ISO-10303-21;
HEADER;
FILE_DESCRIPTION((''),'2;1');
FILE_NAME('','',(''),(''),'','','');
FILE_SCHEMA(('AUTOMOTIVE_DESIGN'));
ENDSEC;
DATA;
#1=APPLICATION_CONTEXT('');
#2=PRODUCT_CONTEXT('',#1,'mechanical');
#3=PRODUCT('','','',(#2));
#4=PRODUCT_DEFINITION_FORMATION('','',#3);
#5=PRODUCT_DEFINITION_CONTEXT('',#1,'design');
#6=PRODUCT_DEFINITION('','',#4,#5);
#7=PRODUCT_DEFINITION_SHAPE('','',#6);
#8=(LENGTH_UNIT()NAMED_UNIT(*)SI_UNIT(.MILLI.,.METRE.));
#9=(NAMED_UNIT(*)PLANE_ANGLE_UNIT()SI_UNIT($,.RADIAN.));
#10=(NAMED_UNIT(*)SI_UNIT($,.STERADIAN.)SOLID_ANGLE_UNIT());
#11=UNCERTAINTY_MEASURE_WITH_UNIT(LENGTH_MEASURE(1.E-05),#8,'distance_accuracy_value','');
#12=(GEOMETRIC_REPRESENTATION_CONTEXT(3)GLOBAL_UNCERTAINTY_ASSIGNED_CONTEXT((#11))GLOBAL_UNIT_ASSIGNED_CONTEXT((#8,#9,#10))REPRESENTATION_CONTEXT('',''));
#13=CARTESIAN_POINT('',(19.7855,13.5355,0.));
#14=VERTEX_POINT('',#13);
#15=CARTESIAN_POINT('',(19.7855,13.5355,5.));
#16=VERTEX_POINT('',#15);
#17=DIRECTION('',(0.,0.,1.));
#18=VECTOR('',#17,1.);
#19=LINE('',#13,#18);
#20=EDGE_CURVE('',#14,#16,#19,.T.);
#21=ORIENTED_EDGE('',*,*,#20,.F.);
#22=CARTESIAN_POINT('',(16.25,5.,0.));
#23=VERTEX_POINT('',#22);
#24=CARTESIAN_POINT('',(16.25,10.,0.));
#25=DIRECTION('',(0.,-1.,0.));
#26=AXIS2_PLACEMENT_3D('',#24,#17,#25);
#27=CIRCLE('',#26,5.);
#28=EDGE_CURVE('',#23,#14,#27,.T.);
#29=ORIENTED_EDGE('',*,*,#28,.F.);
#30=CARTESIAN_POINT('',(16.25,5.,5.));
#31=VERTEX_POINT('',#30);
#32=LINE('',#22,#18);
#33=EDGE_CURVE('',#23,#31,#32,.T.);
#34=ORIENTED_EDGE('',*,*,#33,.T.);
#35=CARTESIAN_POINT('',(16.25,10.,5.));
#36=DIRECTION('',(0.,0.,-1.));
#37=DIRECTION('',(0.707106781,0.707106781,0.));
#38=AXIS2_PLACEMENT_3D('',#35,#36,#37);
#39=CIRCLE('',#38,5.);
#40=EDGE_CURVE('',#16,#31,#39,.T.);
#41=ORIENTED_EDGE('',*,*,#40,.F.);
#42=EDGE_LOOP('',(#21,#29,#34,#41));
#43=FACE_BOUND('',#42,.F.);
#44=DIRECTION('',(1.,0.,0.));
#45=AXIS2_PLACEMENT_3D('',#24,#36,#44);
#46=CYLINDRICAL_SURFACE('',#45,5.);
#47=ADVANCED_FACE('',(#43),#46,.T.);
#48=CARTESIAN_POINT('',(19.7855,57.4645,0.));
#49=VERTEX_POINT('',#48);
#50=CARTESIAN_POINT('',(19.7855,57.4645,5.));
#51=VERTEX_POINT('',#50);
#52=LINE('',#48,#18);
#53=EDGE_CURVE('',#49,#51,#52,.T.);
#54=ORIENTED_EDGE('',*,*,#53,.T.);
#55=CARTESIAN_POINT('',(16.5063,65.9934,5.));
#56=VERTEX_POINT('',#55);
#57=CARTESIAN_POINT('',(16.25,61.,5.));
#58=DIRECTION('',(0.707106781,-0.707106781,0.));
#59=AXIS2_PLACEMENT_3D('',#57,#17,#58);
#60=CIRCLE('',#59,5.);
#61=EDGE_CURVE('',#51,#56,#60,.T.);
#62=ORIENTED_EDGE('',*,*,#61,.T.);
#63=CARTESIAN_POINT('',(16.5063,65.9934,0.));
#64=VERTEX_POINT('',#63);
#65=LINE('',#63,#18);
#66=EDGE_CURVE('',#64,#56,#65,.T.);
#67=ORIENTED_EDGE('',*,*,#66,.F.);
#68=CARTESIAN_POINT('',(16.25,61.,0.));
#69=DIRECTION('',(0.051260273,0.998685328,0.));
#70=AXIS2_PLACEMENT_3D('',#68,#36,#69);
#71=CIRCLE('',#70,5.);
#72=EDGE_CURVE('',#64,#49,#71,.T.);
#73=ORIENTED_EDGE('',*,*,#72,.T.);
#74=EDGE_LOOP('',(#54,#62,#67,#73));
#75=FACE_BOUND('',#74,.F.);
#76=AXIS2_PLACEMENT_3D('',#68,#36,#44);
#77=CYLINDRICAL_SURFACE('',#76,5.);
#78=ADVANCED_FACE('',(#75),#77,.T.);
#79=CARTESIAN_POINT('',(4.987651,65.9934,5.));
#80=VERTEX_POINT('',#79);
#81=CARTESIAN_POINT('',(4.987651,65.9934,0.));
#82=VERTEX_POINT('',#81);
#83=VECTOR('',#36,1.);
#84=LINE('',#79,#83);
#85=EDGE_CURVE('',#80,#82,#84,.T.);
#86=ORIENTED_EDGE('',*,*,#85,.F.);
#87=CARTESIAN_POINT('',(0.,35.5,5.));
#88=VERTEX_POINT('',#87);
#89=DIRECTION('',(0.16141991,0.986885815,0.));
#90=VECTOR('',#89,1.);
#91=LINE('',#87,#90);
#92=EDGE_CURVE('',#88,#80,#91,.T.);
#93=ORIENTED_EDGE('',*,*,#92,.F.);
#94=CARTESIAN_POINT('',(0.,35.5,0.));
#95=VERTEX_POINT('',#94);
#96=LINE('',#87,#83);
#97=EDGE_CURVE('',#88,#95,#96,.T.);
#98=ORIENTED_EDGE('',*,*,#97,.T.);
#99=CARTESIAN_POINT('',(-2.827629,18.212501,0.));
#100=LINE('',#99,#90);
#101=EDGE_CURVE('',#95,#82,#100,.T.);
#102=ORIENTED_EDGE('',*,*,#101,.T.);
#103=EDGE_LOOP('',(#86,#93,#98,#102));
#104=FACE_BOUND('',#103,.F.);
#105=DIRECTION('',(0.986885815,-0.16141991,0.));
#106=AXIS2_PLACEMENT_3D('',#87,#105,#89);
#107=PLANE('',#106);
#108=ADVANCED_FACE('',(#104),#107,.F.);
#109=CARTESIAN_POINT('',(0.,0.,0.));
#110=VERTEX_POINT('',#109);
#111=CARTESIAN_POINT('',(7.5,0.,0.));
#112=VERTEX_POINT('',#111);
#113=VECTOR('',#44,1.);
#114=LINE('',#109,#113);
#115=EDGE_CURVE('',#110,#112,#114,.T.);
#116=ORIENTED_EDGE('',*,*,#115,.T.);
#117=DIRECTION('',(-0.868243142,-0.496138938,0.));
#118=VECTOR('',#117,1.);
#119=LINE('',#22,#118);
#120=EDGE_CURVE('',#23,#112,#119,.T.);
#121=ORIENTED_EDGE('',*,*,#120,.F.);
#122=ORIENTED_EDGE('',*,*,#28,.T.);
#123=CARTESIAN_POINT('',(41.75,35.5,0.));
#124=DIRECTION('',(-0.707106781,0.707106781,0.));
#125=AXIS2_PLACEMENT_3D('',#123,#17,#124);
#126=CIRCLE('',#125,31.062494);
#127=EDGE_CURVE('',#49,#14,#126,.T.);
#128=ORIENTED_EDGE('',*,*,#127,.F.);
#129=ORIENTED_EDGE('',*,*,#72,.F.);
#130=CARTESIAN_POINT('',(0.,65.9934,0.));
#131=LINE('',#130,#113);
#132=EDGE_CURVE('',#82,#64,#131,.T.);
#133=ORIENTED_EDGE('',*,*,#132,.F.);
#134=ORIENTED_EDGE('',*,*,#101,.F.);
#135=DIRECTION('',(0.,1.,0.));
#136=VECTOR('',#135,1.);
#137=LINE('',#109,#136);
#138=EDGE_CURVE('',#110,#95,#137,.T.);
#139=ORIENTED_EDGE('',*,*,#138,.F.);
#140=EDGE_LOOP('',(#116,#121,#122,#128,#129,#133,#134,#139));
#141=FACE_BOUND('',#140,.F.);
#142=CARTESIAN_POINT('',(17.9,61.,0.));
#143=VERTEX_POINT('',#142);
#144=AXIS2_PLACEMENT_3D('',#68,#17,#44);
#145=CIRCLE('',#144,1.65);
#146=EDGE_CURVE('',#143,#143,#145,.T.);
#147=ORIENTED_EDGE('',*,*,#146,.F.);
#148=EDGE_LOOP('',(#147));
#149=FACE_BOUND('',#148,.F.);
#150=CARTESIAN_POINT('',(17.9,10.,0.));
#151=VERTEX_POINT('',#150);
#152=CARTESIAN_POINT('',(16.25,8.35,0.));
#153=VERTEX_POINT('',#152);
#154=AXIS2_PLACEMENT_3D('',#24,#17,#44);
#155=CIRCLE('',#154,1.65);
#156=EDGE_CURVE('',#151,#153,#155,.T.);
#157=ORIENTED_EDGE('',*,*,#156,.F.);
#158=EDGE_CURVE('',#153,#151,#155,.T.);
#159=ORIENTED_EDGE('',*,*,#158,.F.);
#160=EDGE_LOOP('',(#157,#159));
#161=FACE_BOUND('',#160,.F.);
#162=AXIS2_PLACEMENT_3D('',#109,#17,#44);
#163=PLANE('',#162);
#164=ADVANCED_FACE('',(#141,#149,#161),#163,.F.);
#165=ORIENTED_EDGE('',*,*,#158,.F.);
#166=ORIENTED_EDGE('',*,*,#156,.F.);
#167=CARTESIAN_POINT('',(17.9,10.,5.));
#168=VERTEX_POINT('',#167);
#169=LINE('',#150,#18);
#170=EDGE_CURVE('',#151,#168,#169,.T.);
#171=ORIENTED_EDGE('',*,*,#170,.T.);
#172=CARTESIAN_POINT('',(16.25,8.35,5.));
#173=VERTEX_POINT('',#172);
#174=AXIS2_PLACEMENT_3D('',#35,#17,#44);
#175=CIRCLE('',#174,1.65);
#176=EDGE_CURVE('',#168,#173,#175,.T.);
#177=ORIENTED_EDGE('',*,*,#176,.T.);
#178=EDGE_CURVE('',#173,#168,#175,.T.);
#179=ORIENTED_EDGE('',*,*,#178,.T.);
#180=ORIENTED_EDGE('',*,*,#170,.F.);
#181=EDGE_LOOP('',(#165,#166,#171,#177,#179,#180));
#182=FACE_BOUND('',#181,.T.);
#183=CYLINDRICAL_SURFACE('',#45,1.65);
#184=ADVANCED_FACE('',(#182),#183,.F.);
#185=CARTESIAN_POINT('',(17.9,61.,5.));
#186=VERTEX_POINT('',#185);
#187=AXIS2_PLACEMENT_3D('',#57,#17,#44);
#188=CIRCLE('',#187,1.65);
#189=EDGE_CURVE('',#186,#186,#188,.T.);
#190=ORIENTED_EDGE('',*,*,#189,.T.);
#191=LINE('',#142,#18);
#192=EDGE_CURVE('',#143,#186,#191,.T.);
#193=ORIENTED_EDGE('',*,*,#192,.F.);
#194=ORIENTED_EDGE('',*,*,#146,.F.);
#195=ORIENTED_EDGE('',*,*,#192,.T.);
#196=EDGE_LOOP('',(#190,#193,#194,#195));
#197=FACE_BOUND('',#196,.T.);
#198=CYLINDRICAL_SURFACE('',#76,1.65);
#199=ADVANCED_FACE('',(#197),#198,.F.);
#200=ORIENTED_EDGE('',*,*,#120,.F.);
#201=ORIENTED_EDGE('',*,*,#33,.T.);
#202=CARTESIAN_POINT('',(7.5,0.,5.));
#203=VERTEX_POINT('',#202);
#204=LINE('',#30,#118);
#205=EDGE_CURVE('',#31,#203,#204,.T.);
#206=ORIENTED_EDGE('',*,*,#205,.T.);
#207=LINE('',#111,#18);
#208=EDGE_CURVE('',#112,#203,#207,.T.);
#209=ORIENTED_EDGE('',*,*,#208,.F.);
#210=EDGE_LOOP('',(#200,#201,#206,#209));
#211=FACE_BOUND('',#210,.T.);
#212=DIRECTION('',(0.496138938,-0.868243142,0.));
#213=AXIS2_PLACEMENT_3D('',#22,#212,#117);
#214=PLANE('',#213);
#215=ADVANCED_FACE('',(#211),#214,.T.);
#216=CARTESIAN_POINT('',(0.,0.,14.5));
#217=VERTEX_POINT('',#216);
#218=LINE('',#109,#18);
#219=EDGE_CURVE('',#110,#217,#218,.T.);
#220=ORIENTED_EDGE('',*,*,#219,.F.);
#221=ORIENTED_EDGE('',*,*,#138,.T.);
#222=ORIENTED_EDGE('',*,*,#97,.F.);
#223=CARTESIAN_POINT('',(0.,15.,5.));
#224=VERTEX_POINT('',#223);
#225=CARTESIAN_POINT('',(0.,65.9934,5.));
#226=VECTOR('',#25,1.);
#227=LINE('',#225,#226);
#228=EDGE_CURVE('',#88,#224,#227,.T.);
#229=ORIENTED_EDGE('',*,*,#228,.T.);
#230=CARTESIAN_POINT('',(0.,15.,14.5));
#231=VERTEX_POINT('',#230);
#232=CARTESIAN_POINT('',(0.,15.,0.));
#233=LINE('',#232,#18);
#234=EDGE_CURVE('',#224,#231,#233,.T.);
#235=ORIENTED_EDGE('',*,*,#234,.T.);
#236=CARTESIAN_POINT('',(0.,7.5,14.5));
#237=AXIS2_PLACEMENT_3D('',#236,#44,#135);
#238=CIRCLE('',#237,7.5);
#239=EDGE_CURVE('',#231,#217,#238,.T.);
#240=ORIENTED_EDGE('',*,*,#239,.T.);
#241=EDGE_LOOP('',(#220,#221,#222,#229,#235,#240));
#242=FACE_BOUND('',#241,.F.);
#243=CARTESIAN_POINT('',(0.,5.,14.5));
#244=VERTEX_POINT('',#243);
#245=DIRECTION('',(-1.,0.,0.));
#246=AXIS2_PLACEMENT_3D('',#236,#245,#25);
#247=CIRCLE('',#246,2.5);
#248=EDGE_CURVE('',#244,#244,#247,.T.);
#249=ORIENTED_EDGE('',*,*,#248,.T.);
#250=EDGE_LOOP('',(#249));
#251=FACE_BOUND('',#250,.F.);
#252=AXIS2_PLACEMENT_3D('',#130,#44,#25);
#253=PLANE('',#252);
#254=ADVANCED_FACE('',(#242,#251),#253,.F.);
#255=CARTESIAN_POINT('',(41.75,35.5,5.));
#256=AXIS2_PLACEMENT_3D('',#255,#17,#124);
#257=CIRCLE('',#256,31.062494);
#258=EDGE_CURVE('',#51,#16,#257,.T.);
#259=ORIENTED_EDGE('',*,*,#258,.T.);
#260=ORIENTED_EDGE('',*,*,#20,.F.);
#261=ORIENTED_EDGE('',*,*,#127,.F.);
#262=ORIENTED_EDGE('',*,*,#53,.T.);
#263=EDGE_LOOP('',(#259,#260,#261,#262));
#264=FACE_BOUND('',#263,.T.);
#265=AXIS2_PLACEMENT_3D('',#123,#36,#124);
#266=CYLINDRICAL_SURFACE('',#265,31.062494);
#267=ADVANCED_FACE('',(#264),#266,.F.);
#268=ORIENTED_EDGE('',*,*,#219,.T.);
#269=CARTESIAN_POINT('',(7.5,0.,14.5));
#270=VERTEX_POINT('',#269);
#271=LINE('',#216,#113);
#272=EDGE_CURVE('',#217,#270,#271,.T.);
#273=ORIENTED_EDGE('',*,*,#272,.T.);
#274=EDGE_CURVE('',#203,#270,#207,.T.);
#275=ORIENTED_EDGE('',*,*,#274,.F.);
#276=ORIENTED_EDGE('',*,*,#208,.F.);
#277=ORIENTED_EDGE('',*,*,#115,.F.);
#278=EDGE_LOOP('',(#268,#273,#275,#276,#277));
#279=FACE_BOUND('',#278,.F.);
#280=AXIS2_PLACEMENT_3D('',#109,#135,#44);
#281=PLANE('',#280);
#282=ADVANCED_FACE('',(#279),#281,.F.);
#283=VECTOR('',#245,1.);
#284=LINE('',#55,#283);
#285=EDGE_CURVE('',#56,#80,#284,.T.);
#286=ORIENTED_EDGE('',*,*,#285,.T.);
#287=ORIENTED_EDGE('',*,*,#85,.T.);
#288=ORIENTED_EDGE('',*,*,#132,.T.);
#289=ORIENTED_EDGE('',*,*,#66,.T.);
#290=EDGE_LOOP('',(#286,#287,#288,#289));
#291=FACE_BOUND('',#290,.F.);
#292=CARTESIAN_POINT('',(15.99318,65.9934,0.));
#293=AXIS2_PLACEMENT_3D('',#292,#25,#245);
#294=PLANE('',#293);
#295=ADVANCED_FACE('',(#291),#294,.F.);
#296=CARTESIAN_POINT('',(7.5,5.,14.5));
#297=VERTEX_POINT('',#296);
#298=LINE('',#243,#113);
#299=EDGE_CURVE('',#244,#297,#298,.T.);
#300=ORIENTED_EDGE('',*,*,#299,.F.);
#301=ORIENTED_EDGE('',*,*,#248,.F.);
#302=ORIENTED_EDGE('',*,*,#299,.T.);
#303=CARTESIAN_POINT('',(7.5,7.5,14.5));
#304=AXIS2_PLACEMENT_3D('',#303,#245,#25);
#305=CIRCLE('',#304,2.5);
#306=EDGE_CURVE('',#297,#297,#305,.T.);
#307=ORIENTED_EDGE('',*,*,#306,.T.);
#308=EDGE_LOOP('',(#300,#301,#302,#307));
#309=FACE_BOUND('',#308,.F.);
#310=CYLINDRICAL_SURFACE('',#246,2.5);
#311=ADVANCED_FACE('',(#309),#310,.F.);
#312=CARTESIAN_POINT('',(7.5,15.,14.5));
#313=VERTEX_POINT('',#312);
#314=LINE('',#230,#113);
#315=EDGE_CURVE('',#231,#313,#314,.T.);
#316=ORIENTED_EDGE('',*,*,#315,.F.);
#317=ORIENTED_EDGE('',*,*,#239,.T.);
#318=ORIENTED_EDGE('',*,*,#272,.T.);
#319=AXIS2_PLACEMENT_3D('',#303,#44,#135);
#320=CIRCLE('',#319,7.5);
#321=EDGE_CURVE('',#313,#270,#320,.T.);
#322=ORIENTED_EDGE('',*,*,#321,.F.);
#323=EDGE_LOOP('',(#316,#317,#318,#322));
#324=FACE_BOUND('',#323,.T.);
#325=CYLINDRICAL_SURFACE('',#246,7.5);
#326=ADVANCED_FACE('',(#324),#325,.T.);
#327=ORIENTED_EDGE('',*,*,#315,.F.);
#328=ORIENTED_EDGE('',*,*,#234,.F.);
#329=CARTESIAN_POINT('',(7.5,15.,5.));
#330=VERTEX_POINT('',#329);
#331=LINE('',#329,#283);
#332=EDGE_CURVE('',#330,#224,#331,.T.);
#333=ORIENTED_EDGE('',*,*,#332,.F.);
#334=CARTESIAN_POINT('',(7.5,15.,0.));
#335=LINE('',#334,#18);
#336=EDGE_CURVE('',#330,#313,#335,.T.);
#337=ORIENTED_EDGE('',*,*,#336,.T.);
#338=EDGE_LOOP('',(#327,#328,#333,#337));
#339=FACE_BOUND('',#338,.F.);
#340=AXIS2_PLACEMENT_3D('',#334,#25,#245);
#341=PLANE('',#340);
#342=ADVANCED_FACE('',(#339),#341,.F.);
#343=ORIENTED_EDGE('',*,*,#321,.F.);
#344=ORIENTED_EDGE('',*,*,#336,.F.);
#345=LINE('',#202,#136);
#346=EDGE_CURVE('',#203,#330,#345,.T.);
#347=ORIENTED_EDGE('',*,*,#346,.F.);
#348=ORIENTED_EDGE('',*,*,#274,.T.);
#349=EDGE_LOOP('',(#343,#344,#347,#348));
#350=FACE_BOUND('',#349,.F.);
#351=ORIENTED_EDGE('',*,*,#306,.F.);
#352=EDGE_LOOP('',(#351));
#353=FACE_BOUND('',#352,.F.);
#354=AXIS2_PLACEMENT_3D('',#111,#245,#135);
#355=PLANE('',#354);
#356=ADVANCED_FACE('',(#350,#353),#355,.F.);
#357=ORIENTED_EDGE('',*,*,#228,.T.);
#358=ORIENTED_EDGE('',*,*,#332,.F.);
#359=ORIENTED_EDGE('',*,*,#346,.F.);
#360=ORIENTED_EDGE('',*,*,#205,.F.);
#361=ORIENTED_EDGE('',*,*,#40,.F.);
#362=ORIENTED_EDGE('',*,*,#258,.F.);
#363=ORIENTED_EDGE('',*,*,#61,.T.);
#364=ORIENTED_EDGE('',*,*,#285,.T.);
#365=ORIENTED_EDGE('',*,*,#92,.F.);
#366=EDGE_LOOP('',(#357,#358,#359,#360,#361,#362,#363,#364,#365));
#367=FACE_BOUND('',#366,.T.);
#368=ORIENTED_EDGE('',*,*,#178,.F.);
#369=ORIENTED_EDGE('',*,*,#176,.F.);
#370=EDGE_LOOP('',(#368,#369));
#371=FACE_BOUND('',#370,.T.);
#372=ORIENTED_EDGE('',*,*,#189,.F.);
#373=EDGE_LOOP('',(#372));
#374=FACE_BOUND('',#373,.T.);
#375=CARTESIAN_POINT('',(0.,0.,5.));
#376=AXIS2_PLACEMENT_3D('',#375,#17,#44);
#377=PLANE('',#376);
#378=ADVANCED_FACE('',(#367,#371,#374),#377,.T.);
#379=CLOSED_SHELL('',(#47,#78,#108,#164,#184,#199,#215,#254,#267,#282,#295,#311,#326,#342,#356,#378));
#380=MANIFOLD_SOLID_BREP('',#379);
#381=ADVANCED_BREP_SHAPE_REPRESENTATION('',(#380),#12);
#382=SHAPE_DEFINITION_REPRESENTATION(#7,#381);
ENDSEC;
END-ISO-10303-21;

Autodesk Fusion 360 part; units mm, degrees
sketch "Esquisse1" plane through (0, 0, 0) normal (0, 0, 1) x (1, 0, 0)
  circle A0 centre (16.25, 10) radius 1.65
  circle A1 centre (16.25, 61) radius 1.65
  circle A2 centre (67.25, 10) radius 1.95
  circle A3 centre (67.25, 61) radius 1.95
  line L0 (67.25, 61) -> (16.25, 10) construction
  line L1 (16.25, 61) -> (67.25, 10) construction
  circle A4 centre (41.75, 35.5) radius 30.5 construction
  circle A5 centre (16.25, 61) radius 5
  circle A6 centre (16.25, 10) radius 5
  arc A7 (19.7855, 57.4645) -> (19.7855, 13.5355) centre (41.75, 35.5) ccw
  line L2 (16.5063, 65.9934) -> (0, 65.9934)
  line L3 (0, 65.9934) -> (0, 0)
  line L4 (0, 0) -> (7.5, 0)
  line L5 (16.25, 10) -> (16.25, 5)
  line L6 (16.25, 5) -> (7.5, 0)
  line L7 (7.5, 0) -> (7.5, 15)
  line L8 (7.5, 15) -> (0, 15)
  dimension "d1" = 3.3
  dimension "d2" = 3.3
  dimension "d3" = 16.25
  dimension "d4" = 16.25
  dimension "d5" = 51
  dimension "d6" = 10
  dimension "d7" = 3.9
  dimension "d8" = 51
  dimension "d9" = 3.9
  dimension "d10" = 51
  dimension "d11" = 51
  dimension "d12" = 61
  dimension "d13" = 10
  dimension "d14" = 10
  dimension "d15" = 7.5
  dimension "d16" = 15
extrude "Extrusion1" add sketch "Esquisse1" along normal blind 22 contours L3 L4 L7 L8 makes body 1
extrude "Extrusion2" add sketch "Esquisse1" along normal blind 5 separate body contours A6 | A5 A6 A7 L2 L3 L6 L7 L8 | A5 L2 picked at (18.7618, 58.051) makes body 2
sketch "Esquisse2" plane through (0, 0, 0) normal (-1, 0, 0) x (0, -1, 0)
  line L0 (-15, 0) -> (0, 0)
  line L1 (0, 0) -> (0, 22)
  line L2 (0, 22) -> (-15, 22)
  line L3 (-15, 22) -> (-15, 0)
  circle A0 centre (-7.5, 14.5) radius 2.5
  arc A1 (0, 14.5) -> (-7.5, 22) centre (-7.5, 14.5) ccw
  arc A2 (-7.5, 22) -> (-15, 14.5) centre (-7.5, 14.5) ccw
  dimension "d21" = 5
  dimension "d22" = 7.5
  dimension "d23" = 7.5
extrude "Extrusion3" cut sketch "Esquisse2" against normal blind 8 contours L2 L3 A2 | L1 L2 A1 | A0 bodies 1
sketch "Esquisse3" plane through (0, 0, 5) normal (0, 0, 1) x (-1, 0, 0)
  circle A0 centre (-16.25, -61) radius 1.65
  circle A1 centre (-16.25, -10) radius 1.65
  arc A2 (-16.25, -5) -> (-19.7855, -13.5355) centre (-16.25, -10) ccw
  arc A3 (-19.7855, -57.4645) -> (-19.7855, -13.5355) centre (-41.75, -35.5) ccw
  arc A4 (-19.7855, -57.4645) -> (-16.5063, -65.9934) centre (-16.25, -61) ccw
  line L0 (-16.5063, -65.9934) -> (0, -65.9934)
  line L1 (0, -65.9934) -> (0, -15)
  line L2 (0, -15) -> (-7.5, -15)
  line L3 (-7.5, -15) -> (-7.5, 0)
  line L4 (-7.5, 0) -> (-16.25, -5)
  line L5 (0, -35.5) -> (-5, -66.0689)
  line L6 (-5, -66.0689) -> (0, -65.9934)
  line L7 (0, -35.5) -> (0, -65.9934)
  dimension "d27" = 5
extrude "Extrusion4" cut sketch "Esquisse3" against normal blind 10 contours L0 L1 L5 L7 bodies 2
combine "Combiner1" operation add target body 2 tool bodies 1
equation "d3 = 14.3 mm + 1.95 mm"
